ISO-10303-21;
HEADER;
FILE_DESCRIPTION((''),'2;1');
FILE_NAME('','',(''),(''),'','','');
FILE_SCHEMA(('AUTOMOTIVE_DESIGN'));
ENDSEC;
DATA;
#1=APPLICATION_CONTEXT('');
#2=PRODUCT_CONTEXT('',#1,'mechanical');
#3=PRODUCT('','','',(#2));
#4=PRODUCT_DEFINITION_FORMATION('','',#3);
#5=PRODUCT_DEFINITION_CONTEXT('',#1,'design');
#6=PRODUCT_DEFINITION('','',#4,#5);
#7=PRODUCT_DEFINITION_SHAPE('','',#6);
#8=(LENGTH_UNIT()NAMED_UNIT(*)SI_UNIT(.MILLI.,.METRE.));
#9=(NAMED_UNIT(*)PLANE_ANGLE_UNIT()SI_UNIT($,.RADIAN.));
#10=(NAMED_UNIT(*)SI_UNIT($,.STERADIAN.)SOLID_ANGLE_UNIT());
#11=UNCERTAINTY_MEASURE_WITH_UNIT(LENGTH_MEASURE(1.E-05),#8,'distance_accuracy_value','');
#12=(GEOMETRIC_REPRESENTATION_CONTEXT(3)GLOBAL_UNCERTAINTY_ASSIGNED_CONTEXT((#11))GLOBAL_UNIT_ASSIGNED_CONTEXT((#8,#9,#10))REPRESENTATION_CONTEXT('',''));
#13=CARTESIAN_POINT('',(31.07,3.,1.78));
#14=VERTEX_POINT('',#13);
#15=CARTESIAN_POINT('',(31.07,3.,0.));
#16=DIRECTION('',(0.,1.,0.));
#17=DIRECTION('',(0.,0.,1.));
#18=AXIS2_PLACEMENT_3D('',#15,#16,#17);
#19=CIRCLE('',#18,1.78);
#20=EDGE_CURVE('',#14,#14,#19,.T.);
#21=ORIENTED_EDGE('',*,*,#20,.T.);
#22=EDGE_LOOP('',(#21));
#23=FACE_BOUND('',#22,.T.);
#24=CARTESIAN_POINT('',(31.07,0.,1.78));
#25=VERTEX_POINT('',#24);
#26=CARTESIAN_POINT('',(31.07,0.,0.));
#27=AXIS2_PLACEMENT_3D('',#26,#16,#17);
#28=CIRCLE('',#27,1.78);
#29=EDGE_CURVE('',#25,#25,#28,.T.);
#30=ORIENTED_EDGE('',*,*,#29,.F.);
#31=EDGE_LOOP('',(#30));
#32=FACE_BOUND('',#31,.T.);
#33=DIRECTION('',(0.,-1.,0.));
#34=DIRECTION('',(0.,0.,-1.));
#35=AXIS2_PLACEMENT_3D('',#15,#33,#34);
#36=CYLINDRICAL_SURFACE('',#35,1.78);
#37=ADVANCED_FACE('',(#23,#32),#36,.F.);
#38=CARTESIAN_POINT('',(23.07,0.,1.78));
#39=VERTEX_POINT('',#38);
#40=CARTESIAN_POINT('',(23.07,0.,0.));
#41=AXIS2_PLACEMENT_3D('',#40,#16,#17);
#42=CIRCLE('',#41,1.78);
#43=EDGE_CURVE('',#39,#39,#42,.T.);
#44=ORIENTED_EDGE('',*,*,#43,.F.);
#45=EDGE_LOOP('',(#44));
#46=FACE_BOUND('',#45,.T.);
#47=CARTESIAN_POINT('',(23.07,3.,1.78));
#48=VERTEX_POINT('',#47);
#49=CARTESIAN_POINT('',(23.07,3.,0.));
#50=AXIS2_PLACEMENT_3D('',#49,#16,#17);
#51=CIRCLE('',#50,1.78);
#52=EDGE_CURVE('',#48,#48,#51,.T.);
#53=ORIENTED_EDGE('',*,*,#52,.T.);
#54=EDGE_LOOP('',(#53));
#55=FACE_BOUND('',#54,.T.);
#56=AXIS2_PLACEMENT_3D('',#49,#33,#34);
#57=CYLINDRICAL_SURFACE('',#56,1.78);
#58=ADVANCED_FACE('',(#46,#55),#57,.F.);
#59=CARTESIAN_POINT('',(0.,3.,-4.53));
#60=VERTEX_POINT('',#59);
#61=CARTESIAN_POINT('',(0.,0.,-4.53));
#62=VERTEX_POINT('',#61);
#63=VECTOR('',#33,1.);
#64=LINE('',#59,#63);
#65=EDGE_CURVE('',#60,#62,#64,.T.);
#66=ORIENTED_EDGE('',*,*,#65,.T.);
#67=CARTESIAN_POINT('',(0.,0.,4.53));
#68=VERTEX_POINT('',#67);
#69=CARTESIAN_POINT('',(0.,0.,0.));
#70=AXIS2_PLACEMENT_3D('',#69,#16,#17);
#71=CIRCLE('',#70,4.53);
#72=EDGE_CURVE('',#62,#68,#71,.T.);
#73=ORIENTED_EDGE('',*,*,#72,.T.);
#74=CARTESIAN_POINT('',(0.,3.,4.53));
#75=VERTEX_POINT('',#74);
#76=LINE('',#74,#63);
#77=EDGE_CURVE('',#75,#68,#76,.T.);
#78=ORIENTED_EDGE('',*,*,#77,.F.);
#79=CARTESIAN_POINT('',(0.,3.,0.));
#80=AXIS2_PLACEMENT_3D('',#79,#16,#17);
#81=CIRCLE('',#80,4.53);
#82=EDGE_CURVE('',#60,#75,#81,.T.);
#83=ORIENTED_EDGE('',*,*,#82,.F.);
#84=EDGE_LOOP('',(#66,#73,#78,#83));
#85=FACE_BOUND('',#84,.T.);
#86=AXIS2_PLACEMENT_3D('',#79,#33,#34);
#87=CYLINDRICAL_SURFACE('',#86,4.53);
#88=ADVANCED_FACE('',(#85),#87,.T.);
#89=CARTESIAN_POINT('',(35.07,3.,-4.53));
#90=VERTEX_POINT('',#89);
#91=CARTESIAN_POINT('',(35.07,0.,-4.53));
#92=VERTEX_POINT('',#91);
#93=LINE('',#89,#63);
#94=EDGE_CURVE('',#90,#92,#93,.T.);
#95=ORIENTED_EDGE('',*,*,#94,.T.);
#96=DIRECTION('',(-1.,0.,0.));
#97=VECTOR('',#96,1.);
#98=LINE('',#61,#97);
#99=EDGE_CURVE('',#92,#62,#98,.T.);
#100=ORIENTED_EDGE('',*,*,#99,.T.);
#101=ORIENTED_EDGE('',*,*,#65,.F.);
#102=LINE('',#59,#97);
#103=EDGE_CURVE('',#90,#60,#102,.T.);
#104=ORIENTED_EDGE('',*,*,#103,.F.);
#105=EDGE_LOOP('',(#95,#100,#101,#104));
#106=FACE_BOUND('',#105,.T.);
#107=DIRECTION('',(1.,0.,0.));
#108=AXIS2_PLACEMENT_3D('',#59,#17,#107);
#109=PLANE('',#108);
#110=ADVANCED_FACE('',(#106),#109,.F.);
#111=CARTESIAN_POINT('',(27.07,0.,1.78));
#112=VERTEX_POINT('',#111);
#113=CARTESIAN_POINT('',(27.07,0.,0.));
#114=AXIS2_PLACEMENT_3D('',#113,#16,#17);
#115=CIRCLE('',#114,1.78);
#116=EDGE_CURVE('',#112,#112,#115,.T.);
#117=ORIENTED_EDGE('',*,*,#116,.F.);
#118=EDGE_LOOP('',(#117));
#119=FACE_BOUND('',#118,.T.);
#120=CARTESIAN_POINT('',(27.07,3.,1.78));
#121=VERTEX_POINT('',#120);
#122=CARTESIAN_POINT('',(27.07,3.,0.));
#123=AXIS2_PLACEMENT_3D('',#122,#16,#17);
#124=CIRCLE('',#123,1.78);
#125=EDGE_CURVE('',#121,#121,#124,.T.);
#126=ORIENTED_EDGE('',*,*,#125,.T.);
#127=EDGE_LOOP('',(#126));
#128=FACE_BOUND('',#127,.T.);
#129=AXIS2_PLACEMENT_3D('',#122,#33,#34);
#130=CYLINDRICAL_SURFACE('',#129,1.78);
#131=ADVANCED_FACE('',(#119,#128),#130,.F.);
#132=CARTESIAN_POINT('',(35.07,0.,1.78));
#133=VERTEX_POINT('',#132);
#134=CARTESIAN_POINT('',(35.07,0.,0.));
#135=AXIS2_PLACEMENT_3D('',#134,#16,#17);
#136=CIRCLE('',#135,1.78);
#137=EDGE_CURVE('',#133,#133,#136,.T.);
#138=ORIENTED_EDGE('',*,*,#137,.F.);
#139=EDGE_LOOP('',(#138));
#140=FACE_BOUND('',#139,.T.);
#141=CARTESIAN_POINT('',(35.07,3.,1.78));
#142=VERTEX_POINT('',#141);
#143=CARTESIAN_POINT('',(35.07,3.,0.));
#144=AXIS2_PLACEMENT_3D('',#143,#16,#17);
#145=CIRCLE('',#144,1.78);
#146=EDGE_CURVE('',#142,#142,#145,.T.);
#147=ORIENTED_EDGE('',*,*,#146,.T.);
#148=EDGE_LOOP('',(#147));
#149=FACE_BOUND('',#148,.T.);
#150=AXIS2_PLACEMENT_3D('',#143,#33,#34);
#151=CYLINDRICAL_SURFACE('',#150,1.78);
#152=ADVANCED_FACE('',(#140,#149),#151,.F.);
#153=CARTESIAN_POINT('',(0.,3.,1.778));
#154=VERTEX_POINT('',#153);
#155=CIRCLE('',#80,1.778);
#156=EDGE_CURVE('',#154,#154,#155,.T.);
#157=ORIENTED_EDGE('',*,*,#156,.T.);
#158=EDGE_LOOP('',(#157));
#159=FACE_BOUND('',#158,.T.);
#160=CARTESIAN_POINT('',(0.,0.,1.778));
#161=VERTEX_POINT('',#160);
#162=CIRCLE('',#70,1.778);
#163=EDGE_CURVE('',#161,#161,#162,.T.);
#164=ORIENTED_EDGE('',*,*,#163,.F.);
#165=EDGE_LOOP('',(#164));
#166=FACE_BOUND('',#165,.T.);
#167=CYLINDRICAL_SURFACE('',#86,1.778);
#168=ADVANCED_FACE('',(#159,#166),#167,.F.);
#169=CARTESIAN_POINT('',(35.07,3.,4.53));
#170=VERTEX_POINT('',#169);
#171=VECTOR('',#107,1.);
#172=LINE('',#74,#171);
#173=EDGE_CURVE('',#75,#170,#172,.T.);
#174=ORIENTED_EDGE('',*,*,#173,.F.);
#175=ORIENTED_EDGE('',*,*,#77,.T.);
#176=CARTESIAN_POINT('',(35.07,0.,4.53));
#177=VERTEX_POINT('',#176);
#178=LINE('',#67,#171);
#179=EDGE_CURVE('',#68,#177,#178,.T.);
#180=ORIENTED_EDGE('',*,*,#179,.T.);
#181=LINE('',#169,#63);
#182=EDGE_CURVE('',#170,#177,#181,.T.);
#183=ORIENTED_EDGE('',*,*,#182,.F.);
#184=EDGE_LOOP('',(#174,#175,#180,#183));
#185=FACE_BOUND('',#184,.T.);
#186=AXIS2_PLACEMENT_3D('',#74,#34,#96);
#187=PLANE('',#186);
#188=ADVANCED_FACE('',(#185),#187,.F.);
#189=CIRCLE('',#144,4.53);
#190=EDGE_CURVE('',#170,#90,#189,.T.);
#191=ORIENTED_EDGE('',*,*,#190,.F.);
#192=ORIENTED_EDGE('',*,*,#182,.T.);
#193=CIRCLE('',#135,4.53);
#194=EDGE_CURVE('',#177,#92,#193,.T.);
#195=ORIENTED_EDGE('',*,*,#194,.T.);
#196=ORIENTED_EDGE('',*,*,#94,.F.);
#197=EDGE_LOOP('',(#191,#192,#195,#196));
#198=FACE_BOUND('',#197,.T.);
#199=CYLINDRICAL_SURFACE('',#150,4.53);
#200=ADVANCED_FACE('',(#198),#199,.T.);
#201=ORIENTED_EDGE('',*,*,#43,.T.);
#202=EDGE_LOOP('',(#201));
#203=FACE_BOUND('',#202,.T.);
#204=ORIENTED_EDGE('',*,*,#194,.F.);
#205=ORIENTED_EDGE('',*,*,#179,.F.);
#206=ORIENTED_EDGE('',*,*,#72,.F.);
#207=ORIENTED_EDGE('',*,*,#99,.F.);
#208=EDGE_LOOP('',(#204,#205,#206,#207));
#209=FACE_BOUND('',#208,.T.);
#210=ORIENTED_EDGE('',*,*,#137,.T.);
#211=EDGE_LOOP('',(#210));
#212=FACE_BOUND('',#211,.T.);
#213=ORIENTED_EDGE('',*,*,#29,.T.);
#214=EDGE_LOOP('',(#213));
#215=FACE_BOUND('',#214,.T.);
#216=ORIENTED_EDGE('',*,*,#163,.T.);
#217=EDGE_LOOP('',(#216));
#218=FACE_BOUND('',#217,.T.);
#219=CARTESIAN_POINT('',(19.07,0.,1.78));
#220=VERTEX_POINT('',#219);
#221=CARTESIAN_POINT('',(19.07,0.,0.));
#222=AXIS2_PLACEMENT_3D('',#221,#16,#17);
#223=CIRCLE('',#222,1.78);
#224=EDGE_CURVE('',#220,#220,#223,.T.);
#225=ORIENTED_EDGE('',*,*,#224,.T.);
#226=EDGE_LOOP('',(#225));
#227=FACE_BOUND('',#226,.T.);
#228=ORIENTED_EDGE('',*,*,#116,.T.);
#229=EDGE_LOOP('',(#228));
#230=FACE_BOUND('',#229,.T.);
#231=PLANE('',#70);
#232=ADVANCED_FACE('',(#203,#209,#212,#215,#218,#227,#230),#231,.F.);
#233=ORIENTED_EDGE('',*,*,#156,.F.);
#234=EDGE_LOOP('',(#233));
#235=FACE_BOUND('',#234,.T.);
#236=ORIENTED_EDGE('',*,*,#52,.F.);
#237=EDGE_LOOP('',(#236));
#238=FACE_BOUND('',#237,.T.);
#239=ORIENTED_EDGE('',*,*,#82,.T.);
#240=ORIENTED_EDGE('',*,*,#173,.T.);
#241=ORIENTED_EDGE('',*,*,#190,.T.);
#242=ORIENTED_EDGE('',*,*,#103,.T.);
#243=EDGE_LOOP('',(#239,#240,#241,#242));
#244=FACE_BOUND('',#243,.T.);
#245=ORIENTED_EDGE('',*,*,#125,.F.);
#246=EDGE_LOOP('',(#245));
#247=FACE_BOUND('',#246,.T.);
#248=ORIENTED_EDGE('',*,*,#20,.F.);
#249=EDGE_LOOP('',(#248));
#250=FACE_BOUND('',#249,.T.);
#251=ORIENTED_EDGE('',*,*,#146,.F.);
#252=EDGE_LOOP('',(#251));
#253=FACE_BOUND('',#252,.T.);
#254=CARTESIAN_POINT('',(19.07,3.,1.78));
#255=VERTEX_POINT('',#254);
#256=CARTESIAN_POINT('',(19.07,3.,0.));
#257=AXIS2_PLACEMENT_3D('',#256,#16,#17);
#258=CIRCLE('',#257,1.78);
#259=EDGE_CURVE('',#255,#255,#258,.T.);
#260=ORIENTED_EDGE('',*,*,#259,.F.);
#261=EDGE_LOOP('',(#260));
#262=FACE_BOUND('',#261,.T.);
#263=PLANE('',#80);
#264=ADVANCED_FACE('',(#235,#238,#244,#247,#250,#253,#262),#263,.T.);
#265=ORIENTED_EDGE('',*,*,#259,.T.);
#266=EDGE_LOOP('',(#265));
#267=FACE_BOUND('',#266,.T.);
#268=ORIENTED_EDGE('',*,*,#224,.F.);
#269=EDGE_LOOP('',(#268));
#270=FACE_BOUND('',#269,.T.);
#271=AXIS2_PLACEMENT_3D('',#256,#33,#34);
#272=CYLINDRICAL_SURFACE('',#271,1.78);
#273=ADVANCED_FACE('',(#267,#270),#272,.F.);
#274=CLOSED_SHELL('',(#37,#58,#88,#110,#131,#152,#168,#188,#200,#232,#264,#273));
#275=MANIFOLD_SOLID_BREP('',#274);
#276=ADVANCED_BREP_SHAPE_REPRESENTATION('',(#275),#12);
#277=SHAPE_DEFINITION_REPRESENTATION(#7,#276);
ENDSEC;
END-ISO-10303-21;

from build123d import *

# Parameters (mm, degrees)
SKETCH1_R           = 1.778
SKETCH1_R_2         = 1.78
BOSS_EXTRUDE1_DEPTH = 3


with BuildPart() as part:
    # Sketch1 → Boss-Extrude1 (new body)
    with BuildSketch(Plane(origin=(0, 0, 0), x_dir=(1, 0, 0), z_dir=(0, 1, 0))):
        with BuildLine():
            Line((0, 4.53), (35.07, 4.53))
            ThreePointArc((35.07, 4.53), (39.6, 0), (35.07, -4.53))
            Line((35.07, -4.53), (0, -4.53))
            ThreePointArc((0, -4.53), (-4.53, 0), (0, 4.53))
        make_face()
        with Locations(Location((0, 0, 0), (0, 0, 270))):
            Circle(SKETCH1_R, mode=Mode.SUBTRACT)
        with Locations(Location((27.07, 0, 0), (0, 0, 270))):
            Circle(SKETCH1_R_2, mode=Mode.SUBTRACT)
        with Locations(Location((31.07, 0, 0), (0, 0, 270))):
            Circle(SKETCH1_R_2, mode=Mode.SUBTRACT)
        with Locations(Location((35.07, 0, 0), (0, 0, 270))):
            Circle(SKETCH1_R_2, mode=Mode.SUBTRACT)
        with Locations(Location((23.07, 0, 0), (0, 0, 270))):
            Circle(SKETCH1_R_2, mode=Mode.SUBTRACT)
        with Locations(Location((19.07, 0, 0), (0, 0, 270))):
            Circle(SKETCH1_R_2, mode=Mode.SUBTRACT)
    extrude(amount=BOSS_EXTRUDE1_DEPTH)


solid = part.part
